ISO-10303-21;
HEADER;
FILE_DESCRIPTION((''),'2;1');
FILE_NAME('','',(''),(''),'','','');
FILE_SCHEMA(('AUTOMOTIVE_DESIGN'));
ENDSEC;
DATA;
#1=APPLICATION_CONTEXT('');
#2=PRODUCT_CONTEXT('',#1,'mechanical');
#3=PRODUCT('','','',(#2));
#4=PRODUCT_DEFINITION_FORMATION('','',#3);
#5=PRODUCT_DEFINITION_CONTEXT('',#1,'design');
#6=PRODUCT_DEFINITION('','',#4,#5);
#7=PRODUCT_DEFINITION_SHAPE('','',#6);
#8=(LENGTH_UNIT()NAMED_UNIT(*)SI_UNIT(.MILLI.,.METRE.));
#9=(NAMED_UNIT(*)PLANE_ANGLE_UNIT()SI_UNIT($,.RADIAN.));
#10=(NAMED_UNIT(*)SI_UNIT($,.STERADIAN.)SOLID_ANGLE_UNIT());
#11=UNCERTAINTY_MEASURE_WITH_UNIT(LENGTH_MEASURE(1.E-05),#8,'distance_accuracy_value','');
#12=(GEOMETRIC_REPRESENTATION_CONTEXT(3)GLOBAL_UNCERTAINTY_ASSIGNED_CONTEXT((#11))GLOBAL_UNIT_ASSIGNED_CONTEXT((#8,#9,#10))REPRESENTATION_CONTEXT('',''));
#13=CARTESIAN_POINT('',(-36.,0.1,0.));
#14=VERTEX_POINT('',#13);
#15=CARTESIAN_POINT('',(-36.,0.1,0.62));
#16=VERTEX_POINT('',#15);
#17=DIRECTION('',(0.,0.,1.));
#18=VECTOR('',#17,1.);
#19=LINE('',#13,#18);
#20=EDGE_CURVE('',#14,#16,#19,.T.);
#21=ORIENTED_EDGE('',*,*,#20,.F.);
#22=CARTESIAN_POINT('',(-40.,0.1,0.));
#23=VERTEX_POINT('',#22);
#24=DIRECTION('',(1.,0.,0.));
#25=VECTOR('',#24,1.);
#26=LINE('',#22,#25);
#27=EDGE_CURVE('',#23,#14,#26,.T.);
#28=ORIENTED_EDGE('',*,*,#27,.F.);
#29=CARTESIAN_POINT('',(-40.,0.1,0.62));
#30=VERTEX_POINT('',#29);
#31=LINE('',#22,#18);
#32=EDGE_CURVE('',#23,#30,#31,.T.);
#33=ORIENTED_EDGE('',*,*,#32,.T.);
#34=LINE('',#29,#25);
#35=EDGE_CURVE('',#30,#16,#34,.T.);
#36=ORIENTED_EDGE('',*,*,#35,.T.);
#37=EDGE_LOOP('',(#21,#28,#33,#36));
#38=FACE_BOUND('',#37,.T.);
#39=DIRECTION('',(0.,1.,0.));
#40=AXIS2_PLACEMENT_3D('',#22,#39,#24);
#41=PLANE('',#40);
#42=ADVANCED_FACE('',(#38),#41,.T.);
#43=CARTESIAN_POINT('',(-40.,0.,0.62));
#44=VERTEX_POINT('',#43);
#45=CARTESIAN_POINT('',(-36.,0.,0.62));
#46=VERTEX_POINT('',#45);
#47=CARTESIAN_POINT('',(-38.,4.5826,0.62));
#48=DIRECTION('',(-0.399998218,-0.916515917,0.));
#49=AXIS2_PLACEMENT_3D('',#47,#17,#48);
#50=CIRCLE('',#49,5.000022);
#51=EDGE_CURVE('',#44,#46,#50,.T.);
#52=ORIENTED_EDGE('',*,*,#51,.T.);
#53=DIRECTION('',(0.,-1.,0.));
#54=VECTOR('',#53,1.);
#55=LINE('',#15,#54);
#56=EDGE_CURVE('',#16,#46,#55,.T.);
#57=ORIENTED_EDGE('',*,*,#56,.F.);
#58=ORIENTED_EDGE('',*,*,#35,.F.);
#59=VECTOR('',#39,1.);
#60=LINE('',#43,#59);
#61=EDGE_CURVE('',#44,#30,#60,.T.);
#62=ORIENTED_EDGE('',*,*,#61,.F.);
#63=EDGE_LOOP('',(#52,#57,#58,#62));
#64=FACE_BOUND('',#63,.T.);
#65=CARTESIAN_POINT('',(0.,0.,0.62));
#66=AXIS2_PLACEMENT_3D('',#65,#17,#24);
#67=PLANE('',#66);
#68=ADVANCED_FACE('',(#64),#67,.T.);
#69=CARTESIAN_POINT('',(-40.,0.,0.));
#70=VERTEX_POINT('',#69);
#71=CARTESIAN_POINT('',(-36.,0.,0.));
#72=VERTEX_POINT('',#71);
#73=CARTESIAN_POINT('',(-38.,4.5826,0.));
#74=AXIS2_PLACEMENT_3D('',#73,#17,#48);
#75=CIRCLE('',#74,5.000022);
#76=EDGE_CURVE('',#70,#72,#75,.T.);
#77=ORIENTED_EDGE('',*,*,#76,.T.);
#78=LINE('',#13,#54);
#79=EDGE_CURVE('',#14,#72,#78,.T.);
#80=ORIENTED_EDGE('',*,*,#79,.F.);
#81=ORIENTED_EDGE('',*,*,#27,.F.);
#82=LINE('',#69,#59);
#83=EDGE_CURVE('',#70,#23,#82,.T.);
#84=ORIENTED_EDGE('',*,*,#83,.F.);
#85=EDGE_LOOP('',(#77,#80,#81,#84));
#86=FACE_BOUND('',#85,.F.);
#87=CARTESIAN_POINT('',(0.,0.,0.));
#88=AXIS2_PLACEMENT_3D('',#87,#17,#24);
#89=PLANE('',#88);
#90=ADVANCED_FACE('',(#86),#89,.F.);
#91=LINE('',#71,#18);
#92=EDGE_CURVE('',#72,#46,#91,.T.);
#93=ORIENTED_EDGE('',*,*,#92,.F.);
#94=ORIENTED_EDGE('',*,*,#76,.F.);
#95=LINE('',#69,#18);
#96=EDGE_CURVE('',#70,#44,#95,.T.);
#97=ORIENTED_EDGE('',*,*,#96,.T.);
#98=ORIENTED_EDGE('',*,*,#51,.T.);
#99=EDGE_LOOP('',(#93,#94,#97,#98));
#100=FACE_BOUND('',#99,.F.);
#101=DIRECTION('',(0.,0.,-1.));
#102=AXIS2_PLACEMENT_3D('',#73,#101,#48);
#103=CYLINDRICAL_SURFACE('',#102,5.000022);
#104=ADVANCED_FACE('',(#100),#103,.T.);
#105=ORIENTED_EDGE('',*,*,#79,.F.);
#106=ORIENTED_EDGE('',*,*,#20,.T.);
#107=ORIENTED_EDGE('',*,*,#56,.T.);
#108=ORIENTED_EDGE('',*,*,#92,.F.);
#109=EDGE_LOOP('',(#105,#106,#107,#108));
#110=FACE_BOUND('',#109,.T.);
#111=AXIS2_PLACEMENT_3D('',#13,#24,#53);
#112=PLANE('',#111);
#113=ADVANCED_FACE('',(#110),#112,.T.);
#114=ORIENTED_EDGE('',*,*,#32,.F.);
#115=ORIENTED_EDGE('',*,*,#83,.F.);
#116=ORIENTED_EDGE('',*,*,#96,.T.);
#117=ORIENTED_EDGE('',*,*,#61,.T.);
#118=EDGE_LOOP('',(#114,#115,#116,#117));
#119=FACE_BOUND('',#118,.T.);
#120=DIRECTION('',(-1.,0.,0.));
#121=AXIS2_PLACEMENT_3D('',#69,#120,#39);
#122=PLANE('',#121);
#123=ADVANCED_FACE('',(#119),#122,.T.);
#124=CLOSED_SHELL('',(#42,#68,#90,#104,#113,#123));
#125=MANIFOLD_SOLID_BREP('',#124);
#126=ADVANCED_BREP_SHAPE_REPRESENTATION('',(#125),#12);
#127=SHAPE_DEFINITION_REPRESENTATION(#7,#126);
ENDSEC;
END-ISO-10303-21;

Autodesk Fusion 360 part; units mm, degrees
sketch "Sketch1" plane through (0, 0, 0) normal (0, 0, 1) x (1, 0, 0)
  arc A0 (-40, 0) -> (-36, 0) centre (-38, 4.5826) ccw
  line L0 (-38, 6.5) -> (-38, 5)
  line L1 (-40, 0) -> (-40, 0.1)
  line L2 (-40, 0.1) -> (-36, 0.1)
  line L3 (-36, 0.1) -> (-36, 0)
  dimension "d2" = 5
extrude "Extrude1" add sketch "Sketch1" along normal blind 0.62
sketch "Sketch2" plane through (-40, 0, 0) normal (-1, 0, 0) x (0, 0, 1)
  line L0 (0, 0.1) -> (0, 0)
  line L1 (0, 0) -> (0.62, 0)
  line L2 (0.62, 0) -> (0.62, 0.1)
  line L3 (0.62, 0.1) -> (0, 0.1)
sketch "Sketch3" plane through (0, 0.1, 0) normal (0, 1, 0) x (-1, 0, 0)
  line L0 (36, 0) -> (40, 0)
  line L1 (40, 0) -> (40, 0.62)
  line L2 (40, 0.62) -> (36, 0.62)
  line L3 (36, 0.62) -> (36, 0)
